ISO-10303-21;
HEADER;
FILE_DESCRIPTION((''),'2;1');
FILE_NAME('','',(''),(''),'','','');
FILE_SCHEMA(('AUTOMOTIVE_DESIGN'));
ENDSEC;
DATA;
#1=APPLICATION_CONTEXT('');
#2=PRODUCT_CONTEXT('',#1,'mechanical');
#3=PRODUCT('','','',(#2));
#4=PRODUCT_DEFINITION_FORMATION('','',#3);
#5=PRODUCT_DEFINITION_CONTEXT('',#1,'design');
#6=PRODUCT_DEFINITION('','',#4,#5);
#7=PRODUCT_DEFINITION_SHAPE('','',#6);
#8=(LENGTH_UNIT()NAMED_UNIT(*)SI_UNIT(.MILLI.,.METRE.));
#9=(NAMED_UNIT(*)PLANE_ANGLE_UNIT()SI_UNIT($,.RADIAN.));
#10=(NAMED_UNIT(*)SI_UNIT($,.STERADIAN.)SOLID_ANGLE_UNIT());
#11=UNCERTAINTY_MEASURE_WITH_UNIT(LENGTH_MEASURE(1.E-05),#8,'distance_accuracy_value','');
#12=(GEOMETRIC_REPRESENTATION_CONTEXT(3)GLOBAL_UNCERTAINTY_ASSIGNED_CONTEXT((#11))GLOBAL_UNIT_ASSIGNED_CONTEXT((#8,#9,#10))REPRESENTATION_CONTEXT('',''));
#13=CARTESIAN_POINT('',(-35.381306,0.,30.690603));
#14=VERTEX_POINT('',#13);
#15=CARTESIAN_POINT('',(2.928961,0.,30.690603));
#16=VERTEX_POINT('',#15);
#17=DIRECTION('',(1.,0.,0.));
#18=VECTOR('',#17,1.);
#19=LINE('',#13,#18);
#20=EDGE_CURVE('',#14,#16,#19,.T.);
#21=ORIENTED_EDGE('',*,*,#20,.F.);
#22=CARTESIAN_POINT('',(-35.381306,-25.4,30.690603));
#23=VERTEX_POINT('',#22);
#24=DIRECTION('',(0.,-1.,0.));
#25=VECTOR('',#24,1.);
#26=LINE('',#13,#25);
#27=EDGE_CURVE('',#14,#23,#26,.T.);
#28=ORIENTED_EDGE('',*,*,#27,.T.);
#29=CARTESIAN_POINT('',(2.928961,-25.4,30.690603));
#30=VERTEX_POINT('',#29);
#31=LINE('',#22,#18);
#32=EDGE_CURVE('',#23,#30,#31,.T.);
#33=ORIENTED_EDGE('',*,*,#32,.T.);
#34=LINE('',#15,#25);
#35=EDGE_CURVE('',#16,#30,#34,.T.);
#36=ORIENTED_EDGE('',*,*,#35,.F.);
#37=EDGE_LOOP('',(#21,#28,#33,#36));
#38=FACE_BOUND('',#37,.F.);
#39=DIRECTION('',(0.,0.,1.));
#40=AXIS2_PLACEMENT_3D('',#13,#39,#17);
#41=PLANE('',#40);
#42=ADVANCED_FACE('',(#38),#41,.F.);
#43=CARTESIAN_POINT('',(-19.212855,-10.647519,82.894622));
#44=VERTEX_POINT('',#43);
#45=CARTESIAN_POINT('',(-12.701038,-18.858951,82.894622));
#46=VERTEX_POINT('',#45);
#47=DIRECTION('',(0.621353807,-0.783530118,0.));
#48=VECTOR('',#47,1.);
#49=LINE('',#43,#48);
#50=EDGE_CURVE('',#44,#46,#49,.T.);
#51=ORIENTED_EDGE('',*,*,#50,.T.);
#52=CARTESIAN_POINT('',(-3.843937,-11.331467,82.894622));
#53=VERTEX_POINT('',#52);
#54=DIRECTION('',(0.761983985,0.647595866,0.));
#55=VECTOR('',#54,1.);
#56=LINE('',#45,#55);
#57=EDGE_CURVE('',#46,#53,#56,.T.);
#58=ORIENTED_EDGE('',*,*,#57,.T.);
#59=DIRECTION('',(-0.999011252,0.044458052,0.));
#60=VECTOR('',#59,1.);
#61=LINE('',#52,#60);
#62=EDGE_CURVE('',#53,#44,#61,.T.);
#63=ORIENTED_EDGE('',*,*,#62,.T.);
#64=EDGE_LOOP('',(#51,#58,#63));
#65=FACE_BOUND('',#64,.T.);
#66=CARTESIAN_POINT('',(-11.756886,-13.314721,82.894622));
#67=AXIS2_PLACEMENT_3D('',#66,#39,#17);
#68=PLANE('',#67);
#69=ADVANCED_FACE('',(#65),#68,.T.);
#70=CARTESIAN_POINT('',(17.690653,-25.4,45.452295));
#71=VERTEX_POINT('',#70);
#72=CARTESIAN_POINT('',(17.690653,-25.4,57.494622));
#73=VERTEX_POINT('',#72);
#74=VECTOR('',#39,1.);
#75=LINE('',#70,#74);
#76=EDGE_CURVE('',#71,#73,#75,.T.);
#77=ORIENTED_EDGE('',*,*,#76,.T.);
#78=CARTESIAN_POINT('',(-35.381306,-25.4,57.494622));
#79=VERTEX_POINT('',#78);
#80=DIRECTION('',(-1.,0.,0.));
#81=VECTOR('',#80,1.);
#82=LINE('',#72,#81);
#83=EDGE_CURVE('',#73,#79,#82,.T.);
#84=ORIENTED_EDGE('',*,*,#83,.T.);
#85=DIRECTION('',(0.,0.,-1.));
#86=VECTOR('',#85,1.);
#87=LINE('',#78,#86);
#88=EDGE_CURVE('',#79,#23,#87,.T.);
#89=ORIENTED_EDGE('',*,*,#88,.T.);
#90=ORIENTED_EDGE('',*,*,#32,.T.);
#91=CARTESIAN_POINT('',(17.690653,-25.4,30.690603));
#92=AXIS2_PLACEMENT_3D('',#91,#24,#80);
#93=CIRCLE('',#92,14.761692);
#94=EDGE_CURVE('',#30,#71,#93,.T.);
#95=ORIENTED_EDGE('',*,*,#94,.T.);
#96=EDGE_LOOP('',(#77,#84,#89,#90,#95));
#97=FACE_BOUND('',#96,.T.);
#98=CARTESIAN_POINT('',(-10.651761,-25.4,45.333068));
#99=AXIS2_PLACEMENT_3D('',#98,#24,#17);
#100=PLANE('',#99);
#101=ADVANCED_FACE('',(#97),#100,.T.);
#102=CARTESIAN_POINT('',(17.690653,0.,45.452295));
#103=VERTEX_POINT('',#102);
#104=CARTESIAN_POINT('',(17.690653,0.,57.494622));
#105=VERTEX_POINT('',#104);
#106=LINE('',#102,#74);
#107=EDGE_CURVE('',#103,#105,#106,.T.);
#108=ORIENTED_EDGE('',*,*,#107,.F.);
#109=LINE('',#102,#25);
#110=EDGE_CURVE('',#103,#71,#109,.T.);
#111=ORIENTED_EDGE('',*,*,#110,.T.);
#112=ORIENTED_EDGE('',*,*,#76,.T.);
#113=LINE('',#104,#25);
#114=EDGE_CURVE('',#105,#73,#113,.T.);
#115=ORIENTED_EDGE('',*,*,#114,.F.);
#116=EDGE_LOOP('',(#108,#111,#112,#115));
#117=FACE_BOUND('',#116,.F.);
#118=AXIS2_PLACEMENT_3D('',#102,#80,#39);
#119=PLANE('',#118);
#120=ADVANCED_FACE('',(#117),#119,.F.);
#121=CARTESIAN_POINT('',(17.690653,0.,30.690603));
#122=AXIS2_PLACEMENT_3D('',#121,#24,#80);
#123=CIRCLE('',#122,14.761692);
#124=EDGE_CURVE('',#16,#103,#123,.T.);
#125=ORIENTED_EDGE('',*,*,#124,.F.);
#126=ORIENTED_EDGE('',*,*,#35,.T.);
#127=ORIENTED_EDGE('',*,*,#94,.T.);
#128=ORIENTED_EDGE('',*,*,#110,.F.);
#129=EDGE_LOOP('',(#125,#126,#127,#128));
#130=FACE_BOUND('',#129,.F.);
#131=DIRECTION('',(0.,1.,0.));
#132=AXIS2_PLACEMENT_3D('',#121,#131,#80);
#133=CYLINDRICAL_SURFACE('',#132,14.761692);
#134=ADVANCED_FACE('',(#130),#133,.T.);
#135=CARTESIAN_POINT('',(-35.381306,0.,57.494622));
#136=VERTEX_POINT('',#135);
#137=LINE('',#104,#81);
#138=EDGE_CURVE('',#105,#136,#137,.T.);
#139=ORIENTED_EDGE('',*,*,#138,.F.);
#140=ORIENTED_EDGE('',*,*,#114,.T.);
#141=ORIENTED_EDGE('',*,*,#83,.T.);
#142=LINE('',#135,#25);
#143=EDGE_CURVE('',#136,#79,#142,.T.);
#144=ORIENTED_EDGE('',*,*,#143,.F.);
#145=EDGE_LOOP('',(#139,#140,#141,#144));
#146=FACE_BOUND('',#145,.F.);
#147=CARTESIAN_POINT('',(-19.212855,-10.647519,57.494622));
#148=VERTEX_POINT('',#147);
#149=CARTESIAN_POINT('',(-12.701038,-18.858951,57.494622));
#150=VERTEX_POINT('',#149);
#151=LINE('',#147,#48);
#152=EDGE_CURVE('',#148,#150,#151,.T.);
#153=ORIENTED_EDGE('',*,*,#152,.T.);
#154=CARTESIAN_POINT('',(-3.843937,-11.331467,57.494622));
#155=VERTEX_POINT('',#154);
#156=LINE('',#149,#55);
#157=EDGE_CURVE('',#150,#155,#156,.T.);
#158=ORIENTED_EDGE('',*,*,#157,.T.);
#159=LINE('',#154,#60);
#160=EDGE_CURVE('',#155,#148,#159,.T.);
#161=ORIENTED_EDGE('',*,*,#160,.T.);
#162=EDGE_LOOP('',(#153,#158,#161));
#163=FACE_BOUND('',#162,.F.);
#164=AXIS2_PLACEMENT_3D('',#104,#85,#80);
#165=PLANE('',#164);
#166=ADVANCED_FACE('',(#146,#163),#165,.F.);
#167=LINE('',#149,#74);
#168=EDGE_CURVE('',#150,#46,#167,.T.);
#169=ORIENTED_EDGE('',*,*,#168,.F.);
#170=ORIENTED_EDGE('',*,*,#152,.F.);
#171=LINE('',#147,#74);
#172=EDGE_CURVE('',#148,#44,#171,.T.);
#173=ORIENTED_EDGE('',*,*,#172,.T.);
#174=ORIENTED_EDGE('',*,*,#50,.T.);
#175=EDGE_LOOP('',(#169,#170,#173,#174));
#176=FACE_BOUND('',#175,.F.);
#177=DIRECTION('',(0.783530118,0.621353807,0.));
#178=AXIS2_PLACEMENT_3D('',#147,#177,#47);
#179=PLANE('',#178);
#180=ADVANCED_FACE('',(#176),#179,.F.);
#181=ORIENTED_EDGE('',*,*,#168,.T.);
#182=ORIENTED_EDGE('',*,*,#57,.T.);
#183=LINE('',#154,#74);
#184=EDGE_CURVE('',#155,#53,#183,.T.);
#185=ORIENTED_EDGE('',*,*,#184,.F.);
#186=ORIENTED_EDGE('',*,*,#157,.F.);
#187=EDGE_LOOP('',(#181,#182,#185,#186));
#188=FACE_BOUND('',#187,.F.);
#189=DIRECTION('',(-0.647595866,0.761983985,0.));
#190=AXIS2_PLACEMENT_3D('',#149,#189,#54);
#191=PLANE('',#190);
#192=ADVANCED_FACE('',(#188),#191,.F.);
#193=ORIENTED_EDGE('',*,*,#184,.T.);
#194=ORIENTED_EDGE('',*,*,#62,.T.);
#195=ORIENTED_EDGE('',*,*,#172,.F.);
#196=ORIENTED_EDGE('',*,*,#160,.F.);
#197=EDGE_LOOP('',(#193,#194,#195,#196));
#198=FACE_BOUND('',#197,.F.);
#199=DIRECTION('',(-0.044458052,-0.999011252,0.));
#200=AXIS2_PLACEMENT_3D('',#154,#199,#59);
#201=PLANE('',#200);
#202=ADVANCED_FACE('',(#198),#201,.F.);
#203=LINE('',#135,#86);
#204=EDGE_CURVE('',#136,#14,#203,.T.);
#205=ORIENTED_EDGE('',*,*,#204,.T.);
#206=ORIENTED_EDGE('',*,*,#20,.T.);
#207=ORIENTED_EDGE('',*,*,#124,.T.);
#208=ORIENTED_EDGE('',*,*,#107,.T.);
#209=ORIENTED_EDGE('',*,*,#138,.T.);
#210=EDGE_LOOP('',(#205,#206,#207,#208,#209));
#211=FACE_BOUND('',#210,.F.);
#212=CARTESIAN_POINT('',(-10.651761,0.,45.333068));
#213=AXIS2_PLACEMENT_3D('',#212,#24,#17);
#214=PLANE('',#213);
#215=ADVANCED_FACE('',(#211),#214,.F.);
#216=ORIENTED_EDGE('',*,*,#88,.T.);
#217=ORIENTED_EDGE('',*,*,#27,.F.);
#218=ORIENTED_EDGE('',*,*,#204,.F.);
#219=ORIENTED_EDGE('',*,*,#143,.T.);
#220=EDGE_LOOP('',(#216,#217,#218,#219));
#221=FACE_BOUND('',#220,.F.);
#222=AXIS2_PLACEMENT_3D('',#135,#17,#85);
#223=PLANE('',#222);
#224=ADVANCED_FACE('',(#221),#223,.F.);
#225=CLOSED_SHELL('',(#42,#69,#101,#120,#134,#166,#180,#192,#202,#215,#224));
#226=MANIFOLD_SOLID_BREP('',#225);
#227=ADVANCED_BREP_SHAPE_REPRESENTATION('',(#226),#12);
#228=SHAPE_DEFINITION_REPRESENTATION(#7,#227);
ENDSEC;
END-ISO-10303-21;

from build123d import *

# Parameters (mm, degrees)
F1_DEPTH = 25.4
F3_DEPTH = 25.4


with BuildPart() as f1:
    # F0 (on Front) → F1 (new body)
    with BuildSketch(Plane.XZ):
        with BuildLine():
            Line((17.6906529814, 57.4946217239), (-35.3813059628, 57.4946217239))
            Line((-35.3813059628, 57.4946217239), (-35.3813059628, 30.6906029582))
            Line((-35.3813059628, 30.6906029582), (2.9289605615, 30.6906029582))
            ThreePointArc((2.9289605615, 30.6906029582), (7.2525601695, 41.1286957701), (17.6906529814, 45.4522953781))
            Line((17.6906529814, 45.4522953781), (17.6906529814, 57.4946217239))
        make_face()
        with BuildLine():
            ThreePointArc((32.4523454013, 30.6906029582), (28.1287457933, 41.1286957701), (17.6906529814, 45.4522953781))
            Line((17.6906529814, 45.4522953781), (17.6906529814, 30.6906029582))
            Line((17.6906529814, 30.6906029582), (2.9289605615, 30.6906029582))
            ThreePointArc((2.9289605615, 30.6906029582), (17.6906529814, 15.9289105383), (32.4523454013, 30.6906029582))
        make_face()
        with BuildLine():
            Line((17.6906529814, 30.6906029582), (17.6906529814, 45.4522953781))
            ThreePointArc((17.6906529814, 45.4522953781), (7.2525601695, 41.1286957701), (2.9289605615, 30.6906029582))
            Line((2.9289605615, 30.6906029582), (17.6906529814, 30.6906029582))
        make_face()
    extrude(amount=F1_DEPTH)

    # F2 (on face) → F3 (join)
    with BuildSketch(Plane.XY.offset(57.4946217239)):
        Polygon((-3.843937302, -11.3314669579), (-19.2128550261, -10.6475185603), (-12.7010382712, -18.8589505851), align=None)
    extrude(amount=F3_DEPTH)


solid = f1.part
